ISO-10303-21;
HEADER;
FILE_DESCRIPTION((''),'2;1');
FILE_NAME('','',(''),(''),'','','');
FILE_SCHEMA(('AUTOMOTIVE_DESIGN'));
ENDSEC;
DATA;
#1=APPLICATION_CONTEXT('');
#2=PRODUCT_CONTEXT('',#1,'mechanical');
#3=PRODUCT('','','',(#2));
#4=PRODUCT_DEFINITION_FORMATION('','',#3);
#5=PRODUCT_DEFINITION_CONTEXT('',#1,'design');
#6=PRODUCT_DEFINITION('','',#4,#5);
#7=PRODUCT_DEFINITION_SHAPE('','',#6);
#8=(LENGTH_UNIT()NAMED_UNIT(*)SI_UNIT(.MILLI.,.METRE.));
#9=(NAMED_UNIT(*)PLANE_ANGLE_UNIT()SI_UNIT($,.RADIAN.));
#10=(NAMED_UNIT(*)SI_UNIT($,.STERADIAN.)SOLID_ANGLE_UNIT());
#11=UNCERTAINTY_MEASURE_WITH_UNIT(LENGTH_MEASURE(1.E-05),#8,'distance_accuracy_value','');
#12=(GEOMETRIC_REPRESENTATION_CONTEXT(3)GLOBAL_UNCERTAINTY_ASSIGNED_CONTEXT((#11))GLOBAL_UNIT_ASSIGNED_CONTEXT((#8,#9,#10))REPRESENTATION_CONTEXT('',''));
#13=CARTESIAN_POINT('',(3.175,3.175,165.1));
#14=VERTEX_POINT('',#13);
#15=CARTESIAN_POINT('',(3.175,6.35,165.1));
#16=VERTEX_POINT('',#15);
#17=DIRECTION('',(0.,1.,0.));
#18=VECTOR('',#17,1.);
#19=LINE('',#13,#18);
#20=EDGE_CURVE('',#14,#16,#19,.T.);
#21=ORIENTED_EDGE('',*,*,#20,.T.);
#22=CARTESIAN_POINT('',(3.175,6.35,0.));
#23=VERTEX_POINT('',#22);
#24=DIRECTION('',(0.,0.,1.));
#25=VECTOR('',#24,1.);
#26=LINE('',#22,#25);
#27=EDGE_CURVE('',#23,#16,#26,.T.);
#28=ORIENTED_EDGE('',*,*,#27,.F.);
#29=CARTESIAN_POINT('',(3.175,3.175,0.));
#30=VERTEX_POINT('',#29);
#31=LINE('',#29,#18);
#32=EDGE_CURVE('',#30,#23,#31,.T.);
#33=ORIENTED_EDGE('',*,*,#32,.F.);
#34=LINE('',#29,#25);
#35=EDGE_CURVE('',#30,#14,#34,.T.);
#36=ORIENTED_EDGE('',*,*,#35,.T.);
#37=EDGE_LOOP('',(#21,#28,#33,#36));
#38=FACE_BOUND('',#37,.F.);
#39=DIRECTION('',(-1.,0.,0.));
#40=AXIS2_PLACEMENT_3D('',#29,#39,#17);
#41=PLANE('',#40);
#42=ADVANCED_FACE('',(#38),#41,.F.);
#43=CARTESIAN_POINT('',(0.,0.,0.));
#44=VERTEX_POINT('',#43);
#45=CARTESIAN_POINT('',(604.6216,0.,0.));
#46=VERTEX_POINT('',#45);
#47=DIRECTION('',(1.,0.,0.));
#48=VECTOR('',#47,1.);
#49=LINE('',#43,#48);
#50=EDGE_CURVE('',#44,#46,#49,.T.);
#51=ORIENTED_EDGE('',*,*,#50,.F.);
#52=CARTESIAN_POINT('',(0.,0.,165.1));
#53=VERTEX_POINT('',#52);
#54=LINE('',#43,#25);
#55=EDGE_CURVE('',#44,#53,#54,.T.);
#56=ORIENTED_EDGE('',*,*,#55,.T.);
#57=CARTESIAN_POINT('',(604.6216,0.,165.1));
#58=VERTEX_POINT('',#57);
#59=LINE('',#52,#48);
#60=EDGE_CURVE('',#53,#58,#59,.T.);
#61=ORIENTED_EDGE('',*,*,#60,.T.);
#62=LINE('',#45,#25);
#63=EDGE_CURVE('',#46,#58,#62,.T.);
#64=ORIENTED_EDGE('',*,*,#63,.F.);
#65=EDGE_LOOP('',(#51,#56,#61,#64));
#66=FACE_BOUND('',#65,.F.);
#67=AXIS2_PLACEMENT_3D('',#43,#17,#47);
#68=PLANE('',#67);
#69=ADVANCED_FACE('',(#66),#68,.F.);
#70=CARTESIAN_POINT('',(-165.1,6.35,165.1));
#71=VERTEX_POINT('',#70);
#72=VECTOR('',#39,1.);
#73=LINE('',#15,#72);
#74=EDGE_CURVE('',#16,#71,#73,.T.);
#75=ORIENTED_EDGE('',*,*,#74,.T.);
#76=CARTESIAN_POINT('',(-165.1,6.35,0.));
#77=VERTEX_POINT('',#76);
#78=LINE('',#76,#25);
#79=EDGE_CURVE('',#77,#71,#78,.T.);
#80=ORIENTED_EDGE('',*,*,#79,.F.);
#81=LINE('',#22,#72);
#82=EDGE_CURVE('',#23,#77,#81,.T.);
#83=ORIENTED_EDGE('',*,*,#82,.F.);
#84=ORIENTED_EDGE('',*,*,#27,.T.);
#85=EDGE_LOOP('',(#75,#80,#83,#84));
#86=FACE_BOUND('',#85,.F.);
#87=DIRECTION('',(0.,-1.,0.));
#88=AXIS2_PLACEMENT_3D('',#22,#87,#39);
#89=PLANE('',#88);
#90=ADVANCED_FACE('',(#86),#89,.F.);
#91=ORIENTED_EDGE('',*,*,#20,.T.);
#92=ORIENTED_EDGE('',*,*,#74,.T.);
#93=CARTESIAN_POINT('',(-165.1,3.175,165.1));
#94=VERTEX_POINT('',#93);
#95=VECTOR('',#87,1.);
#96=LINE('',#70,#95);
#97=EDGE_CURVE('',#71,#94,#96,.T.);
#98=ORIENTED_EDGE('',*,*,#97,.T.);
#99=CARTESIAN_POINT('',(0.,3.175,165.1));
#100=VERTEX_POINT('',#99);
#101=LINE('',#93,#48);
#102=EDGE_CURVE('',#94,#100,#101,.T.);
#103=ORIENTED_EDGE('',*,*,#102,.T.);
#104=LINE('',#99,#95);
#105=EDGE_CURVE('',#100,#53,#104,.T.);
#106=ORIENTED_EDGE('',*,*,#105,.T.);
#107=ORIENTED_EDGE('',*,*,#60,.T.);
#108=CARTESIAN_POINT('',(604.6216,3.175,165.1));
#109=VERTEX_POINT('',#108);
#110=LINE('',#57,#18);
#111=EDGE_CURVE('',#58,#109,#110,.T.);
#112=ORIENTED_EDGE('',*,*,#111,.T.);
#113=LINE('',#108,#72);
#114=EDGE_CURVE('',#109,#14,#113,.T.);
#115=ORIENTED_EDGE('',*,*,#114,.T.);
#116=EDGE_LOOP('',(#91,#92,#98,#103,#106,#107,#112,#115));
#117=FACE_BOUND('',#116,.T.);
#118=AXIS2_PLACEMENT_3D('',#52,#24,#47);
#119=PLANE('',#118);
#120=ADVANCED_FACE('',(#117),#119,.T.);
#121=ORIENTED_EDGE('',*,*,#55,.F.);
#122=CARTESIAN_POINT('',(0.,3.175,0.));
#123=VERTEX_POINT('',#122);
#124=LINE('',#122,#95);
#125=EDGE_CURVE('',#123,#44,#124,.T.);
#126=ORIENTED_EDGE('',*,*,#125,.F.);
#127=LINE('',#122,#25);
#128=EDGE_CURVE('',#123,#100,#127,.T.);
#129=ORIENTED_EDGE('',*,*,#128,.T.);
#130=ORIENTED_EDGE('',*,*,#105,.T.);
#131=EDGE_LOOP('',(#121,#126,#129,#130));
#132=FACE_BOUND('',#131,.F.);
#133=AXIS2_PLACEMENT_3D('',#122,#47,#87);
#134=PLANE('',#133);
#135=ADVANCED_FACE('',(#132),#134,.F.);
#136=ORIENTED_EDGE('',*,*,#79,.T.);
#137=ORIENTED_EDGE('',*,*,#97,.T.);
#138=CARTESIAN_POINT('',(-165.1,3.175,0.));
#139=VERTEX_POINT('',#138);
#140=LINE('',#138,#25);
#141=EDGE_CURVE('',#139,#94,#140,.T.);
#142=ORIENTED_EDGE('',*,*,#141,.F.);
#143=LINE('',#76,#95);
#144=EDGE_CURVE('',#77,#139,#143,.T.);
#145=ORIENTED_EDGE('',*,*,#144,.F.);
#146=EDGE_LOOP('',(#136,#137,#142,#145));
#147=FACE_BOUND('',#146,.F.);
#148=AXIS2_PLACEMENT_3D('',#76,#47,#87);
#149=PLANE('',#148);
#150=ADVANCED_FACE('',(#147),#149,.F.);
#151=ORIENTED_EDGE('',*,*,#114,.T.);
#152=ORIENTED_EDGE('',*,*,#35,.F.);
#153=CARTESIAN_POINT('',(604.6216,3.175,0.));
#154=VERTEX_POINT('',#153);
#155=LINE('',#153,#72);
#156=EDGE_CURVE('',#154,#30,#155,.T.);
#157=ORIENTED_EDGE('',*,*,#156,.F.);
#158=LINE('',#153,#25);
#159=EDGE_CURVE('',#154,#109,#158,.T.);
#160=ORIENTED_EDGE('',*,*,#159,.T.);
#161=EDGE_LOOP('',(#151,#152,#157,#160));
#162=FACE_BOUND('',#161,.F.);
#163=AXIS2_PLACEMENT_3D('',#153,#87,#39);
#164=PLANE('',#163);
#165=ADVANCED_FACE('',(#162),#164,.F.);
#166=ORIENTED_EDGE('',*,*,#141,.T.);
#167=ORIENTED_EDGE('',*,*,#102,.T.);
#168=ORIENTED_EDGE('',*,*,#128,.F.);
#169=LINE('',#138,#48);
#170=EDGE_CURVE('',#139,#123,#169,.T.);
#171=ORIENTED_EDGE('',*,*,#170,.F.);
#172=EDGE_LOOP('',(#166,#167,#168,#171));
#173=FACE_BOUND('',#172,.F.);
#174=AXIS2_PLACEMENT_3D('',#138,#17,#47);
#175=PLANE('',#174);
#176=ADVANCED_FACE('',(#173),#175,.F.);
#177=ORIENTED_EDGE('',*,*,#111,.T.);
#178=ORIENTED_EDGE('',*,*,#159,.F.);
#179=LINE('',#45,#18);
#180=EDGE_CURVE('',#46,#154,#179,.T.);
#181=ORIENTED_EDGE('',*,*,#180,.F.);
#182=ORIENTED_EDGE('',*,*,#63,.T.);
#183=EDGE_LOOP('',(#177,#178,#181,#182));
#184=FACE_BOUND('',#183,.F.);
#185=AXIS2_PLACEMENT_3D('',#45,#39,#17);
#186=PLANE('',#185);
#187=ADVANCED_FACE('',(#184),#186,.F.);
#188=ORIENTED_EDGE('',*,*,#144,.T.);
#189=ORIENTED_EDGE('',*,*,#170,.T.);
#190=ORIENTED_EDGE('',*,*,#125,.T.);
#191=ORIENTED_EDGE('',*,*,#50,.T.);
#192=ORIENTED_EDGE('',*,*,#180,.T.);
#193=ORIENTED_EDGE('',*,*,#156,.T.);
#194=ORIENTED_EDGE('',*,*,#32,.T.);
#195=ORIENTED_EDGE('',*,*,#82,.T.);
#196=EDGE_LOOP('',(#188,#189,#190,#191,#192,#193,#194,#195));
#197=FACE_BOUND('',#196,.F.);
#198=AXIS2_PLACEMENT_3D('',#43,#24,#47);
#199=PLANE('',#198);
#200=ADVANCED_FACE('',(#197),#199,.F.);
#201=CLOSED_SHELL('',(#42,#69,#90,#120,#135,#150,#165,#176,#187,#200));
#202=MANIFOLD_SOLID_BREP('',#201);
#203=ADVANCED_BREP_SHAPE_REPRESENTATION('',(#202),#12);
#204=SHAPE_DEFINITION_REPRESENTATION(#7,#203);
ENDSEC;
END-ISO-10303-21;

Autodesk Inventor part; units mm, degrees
ref_plane "YZ Plane" through (0, 0, 0) normal (1, 0, 0) x (0, 1, 0)
ref_plane "XZ Plane" through (0, 0, 0) normal (0, 1, 0) x (-1, 0, 0)
ref_plane "XY Plane" through (0, 0, 0) normal (0, 0, 1) x (1, 0, 0)
sketch "Sketch1" plane through (0, 0, 0) normal (0, 0, 1) x (1, 0, 0)
  line L0 (0, 0) -> (604.6216, 0)
  line L1 (604.6216, 0) -> (604.6216, 3.175)
  line L2 (604.6216, 3.175) -> (3.175, 3.175)
  line L3 (3.175, 3.175) -> (3.175, 6.35)
  line L4 (3.175, 6.35) -> (-165.1, 6.35)
  line L5 (-165.1, 6.35) -> (-165.1, 3.175)
  line L6 (-165.1, 3.175) -> (0, 3.175)
  line L7 (0, 3.175) -> (0, 0)
  dimension "d0" = 165.1
  dimension "d1" = 3.175
  dimension "d2" = 3.175
  dimension "d3" = 3.175
  dimension "d4" = 3.175
  dimension "d10" = 604.6216
extrude "Extrusion2" add sketch "Sketch1" along normal blind 165.1
properties part number "Starter_Shingle_With_Dimensions_6.5_x_30.988_Inches"
